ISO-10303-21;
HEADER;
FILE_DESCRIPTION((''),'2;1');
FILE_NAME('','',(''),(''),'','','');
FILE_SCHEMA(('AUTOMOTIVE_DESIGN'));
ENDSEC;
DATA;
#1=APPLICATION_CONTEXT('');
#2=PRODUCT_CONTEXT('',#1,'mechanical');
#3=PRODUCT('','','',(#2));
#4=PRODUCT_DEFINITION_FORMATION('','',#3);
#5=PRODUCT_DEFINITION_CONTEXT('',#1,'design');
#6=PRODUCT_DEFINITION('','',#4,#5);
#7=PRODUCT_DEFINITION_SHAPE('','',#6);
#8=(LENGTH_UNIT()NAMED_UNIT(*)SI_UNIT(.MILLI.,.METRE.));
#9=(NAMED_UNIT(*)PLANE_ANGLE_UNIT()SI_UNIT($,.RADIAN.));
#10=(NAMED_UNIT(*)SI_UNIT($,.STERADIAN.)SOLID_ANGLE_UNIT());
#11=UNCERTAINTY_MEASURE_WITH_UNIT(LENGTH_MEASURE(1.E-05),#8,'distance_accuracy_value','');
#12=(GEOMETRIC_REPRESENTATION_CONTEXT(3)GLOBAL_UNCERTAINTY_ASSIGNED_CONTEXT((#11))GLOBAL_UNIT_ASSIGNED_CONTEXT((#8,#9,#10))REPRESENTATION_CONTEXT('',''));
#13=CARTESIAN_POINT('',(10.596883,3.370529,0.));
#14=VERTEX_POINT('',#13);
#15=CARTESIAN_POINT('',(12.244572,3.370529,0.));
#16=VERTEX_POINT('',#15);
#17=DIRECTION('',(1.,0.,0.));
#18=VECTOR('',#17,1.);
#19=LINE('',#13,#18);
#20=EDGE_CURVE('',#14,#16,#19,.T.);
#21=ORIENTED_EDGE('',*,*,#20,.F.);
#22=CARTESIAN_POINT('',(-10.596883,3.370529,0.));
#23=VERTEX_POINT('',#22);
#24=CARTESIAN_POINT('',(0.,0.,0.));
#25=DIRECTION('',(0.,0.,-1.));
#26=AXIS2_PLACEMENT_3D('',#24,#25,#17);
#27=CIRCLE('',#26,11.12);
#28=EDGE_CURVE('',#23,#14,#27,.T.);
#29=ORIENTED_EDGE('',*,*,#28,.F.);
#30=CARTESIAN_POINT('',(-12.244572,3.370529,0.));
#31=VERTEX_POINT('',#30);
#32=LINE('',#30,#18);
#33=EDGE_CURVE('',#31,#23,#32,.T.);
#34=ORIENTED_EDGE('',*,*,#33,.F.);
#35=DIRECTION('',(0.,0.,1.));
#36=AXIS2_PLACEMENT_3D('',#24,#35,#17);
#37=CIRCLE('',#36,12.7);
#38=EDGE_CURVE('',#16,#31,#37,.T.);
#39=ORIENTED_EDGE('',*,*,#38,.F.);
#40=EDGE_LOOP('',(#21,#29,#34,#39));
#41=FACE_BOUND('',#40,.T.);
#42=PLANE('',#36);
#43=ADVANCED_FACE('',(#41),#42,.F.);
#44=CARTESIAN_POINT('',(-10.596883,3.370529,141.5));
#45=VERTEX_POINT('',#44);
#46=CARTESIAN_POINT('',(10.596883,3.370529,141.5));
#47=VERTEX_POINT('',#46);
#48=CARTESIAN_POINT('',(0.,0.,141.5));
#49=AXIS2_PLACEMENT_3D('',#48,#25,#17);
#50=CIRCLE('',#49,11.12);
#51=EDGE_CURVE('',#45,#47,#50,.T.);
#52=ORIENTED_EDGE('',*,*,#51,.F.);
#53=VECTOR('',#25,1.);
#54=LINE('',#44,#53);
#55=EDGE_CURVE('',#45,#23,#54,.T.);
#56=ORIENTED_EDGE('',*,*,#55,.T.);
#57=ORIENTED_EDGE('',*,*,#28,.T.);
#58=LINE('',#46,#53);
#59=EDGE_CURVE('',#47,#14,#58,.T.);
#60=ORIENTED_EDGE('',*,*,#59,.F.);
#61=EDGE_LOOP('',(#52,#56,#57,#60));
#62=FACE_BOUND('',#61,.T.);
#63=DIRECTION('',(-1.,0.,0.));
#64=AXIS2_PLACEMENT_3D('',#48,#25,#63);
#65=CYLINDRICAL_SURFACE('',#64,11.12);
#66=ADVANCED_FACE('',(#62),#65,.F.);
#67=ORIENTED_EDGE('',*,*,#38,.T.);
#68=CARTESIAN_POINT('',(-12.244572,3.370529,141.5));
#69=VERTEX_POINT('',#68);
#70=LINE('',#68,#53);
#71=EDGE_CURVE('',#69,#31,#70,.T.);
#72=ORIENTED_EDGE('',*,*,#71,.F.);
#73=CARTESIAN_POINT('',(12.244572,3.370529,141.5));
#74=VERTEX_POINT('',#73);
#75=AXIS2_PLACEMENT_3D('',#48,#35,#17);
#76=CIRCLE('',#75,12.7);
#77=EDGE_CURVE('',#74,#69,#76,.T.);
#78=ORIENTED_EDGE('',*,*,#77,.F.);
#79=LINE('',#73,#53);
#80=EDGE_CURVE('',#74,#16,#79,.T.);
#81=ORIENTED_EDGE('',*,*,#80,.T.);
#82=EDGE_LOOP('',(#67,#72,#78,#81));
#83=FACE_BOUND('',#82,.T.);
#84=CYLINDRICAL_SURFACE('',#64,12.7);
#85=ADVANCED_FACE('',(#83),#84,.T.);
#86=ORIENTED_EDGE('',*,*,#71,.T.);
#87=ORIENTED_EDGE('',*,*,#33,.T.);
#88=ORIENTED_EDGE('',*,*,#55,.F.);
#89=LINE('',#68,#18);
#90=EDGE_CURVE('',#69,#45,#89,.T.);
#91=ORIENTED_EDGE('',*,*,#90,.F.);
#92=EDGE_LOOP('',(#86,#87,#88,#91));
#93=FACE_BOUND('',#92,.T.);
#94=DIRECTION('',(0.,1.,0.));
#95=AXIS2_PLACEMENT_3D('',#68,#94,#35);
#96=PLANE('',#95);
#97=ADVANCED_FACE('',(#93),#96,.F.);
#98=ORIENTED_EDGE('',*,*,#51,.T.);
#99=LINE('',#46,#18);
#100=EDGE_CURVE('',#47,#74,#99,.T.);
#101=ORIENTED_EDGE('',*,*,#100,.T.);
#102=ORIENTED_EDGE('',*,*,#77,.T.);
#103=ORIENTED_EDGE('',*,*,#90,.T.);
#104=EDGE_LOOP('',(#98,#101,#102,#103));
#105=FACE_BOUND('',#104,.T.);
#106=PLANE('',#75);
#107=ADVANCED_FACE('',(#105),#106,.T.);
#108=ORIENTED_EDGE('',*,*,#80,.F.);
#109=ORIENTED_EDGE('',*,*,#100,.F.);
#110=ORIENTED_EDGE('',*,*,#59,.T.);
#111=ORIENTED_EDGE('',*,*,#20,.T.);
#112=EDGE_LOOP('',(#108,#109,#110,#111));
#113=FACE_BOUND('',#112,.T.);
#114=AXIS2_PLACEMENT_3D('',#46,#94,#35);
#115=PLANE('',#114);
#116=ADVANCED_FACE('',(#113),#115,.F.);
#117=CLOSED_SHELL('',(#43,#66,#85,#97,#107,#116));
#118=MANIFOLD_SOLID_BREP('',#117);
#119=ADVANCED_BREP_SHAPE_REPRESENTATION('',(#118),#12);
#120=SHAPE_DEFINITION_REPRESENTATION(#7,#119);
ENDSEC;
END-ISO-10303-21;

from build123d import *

# Parameters (mm, degrees)
BOSS_EXTRUDE1_DEPTH = 141.5


with BuildPart() as part:
    # Sketch1 → Boss-Extrude1 (new body)
    with BuildSketch(Plane.XY):
        with BuildLine():
            Line((-12.244571551, 3.370529267), (-10.596883148, 3.370529267))
            ThreePointArc((-10.596883148, 3.370529267), (0, 11.12), (10.596883148, 3.370529267))
            Line((10.596883148, 3.370529267), (12.244571551, 3.370529267))
            ThreePointArc((12.244571551, 3.370529267), (0, 12.7), (-12.244571551, 3.370529267))
        make_face()
    extrude(amount=BOSS_EXTRUDE1_DEPTH)


solid = part.part
